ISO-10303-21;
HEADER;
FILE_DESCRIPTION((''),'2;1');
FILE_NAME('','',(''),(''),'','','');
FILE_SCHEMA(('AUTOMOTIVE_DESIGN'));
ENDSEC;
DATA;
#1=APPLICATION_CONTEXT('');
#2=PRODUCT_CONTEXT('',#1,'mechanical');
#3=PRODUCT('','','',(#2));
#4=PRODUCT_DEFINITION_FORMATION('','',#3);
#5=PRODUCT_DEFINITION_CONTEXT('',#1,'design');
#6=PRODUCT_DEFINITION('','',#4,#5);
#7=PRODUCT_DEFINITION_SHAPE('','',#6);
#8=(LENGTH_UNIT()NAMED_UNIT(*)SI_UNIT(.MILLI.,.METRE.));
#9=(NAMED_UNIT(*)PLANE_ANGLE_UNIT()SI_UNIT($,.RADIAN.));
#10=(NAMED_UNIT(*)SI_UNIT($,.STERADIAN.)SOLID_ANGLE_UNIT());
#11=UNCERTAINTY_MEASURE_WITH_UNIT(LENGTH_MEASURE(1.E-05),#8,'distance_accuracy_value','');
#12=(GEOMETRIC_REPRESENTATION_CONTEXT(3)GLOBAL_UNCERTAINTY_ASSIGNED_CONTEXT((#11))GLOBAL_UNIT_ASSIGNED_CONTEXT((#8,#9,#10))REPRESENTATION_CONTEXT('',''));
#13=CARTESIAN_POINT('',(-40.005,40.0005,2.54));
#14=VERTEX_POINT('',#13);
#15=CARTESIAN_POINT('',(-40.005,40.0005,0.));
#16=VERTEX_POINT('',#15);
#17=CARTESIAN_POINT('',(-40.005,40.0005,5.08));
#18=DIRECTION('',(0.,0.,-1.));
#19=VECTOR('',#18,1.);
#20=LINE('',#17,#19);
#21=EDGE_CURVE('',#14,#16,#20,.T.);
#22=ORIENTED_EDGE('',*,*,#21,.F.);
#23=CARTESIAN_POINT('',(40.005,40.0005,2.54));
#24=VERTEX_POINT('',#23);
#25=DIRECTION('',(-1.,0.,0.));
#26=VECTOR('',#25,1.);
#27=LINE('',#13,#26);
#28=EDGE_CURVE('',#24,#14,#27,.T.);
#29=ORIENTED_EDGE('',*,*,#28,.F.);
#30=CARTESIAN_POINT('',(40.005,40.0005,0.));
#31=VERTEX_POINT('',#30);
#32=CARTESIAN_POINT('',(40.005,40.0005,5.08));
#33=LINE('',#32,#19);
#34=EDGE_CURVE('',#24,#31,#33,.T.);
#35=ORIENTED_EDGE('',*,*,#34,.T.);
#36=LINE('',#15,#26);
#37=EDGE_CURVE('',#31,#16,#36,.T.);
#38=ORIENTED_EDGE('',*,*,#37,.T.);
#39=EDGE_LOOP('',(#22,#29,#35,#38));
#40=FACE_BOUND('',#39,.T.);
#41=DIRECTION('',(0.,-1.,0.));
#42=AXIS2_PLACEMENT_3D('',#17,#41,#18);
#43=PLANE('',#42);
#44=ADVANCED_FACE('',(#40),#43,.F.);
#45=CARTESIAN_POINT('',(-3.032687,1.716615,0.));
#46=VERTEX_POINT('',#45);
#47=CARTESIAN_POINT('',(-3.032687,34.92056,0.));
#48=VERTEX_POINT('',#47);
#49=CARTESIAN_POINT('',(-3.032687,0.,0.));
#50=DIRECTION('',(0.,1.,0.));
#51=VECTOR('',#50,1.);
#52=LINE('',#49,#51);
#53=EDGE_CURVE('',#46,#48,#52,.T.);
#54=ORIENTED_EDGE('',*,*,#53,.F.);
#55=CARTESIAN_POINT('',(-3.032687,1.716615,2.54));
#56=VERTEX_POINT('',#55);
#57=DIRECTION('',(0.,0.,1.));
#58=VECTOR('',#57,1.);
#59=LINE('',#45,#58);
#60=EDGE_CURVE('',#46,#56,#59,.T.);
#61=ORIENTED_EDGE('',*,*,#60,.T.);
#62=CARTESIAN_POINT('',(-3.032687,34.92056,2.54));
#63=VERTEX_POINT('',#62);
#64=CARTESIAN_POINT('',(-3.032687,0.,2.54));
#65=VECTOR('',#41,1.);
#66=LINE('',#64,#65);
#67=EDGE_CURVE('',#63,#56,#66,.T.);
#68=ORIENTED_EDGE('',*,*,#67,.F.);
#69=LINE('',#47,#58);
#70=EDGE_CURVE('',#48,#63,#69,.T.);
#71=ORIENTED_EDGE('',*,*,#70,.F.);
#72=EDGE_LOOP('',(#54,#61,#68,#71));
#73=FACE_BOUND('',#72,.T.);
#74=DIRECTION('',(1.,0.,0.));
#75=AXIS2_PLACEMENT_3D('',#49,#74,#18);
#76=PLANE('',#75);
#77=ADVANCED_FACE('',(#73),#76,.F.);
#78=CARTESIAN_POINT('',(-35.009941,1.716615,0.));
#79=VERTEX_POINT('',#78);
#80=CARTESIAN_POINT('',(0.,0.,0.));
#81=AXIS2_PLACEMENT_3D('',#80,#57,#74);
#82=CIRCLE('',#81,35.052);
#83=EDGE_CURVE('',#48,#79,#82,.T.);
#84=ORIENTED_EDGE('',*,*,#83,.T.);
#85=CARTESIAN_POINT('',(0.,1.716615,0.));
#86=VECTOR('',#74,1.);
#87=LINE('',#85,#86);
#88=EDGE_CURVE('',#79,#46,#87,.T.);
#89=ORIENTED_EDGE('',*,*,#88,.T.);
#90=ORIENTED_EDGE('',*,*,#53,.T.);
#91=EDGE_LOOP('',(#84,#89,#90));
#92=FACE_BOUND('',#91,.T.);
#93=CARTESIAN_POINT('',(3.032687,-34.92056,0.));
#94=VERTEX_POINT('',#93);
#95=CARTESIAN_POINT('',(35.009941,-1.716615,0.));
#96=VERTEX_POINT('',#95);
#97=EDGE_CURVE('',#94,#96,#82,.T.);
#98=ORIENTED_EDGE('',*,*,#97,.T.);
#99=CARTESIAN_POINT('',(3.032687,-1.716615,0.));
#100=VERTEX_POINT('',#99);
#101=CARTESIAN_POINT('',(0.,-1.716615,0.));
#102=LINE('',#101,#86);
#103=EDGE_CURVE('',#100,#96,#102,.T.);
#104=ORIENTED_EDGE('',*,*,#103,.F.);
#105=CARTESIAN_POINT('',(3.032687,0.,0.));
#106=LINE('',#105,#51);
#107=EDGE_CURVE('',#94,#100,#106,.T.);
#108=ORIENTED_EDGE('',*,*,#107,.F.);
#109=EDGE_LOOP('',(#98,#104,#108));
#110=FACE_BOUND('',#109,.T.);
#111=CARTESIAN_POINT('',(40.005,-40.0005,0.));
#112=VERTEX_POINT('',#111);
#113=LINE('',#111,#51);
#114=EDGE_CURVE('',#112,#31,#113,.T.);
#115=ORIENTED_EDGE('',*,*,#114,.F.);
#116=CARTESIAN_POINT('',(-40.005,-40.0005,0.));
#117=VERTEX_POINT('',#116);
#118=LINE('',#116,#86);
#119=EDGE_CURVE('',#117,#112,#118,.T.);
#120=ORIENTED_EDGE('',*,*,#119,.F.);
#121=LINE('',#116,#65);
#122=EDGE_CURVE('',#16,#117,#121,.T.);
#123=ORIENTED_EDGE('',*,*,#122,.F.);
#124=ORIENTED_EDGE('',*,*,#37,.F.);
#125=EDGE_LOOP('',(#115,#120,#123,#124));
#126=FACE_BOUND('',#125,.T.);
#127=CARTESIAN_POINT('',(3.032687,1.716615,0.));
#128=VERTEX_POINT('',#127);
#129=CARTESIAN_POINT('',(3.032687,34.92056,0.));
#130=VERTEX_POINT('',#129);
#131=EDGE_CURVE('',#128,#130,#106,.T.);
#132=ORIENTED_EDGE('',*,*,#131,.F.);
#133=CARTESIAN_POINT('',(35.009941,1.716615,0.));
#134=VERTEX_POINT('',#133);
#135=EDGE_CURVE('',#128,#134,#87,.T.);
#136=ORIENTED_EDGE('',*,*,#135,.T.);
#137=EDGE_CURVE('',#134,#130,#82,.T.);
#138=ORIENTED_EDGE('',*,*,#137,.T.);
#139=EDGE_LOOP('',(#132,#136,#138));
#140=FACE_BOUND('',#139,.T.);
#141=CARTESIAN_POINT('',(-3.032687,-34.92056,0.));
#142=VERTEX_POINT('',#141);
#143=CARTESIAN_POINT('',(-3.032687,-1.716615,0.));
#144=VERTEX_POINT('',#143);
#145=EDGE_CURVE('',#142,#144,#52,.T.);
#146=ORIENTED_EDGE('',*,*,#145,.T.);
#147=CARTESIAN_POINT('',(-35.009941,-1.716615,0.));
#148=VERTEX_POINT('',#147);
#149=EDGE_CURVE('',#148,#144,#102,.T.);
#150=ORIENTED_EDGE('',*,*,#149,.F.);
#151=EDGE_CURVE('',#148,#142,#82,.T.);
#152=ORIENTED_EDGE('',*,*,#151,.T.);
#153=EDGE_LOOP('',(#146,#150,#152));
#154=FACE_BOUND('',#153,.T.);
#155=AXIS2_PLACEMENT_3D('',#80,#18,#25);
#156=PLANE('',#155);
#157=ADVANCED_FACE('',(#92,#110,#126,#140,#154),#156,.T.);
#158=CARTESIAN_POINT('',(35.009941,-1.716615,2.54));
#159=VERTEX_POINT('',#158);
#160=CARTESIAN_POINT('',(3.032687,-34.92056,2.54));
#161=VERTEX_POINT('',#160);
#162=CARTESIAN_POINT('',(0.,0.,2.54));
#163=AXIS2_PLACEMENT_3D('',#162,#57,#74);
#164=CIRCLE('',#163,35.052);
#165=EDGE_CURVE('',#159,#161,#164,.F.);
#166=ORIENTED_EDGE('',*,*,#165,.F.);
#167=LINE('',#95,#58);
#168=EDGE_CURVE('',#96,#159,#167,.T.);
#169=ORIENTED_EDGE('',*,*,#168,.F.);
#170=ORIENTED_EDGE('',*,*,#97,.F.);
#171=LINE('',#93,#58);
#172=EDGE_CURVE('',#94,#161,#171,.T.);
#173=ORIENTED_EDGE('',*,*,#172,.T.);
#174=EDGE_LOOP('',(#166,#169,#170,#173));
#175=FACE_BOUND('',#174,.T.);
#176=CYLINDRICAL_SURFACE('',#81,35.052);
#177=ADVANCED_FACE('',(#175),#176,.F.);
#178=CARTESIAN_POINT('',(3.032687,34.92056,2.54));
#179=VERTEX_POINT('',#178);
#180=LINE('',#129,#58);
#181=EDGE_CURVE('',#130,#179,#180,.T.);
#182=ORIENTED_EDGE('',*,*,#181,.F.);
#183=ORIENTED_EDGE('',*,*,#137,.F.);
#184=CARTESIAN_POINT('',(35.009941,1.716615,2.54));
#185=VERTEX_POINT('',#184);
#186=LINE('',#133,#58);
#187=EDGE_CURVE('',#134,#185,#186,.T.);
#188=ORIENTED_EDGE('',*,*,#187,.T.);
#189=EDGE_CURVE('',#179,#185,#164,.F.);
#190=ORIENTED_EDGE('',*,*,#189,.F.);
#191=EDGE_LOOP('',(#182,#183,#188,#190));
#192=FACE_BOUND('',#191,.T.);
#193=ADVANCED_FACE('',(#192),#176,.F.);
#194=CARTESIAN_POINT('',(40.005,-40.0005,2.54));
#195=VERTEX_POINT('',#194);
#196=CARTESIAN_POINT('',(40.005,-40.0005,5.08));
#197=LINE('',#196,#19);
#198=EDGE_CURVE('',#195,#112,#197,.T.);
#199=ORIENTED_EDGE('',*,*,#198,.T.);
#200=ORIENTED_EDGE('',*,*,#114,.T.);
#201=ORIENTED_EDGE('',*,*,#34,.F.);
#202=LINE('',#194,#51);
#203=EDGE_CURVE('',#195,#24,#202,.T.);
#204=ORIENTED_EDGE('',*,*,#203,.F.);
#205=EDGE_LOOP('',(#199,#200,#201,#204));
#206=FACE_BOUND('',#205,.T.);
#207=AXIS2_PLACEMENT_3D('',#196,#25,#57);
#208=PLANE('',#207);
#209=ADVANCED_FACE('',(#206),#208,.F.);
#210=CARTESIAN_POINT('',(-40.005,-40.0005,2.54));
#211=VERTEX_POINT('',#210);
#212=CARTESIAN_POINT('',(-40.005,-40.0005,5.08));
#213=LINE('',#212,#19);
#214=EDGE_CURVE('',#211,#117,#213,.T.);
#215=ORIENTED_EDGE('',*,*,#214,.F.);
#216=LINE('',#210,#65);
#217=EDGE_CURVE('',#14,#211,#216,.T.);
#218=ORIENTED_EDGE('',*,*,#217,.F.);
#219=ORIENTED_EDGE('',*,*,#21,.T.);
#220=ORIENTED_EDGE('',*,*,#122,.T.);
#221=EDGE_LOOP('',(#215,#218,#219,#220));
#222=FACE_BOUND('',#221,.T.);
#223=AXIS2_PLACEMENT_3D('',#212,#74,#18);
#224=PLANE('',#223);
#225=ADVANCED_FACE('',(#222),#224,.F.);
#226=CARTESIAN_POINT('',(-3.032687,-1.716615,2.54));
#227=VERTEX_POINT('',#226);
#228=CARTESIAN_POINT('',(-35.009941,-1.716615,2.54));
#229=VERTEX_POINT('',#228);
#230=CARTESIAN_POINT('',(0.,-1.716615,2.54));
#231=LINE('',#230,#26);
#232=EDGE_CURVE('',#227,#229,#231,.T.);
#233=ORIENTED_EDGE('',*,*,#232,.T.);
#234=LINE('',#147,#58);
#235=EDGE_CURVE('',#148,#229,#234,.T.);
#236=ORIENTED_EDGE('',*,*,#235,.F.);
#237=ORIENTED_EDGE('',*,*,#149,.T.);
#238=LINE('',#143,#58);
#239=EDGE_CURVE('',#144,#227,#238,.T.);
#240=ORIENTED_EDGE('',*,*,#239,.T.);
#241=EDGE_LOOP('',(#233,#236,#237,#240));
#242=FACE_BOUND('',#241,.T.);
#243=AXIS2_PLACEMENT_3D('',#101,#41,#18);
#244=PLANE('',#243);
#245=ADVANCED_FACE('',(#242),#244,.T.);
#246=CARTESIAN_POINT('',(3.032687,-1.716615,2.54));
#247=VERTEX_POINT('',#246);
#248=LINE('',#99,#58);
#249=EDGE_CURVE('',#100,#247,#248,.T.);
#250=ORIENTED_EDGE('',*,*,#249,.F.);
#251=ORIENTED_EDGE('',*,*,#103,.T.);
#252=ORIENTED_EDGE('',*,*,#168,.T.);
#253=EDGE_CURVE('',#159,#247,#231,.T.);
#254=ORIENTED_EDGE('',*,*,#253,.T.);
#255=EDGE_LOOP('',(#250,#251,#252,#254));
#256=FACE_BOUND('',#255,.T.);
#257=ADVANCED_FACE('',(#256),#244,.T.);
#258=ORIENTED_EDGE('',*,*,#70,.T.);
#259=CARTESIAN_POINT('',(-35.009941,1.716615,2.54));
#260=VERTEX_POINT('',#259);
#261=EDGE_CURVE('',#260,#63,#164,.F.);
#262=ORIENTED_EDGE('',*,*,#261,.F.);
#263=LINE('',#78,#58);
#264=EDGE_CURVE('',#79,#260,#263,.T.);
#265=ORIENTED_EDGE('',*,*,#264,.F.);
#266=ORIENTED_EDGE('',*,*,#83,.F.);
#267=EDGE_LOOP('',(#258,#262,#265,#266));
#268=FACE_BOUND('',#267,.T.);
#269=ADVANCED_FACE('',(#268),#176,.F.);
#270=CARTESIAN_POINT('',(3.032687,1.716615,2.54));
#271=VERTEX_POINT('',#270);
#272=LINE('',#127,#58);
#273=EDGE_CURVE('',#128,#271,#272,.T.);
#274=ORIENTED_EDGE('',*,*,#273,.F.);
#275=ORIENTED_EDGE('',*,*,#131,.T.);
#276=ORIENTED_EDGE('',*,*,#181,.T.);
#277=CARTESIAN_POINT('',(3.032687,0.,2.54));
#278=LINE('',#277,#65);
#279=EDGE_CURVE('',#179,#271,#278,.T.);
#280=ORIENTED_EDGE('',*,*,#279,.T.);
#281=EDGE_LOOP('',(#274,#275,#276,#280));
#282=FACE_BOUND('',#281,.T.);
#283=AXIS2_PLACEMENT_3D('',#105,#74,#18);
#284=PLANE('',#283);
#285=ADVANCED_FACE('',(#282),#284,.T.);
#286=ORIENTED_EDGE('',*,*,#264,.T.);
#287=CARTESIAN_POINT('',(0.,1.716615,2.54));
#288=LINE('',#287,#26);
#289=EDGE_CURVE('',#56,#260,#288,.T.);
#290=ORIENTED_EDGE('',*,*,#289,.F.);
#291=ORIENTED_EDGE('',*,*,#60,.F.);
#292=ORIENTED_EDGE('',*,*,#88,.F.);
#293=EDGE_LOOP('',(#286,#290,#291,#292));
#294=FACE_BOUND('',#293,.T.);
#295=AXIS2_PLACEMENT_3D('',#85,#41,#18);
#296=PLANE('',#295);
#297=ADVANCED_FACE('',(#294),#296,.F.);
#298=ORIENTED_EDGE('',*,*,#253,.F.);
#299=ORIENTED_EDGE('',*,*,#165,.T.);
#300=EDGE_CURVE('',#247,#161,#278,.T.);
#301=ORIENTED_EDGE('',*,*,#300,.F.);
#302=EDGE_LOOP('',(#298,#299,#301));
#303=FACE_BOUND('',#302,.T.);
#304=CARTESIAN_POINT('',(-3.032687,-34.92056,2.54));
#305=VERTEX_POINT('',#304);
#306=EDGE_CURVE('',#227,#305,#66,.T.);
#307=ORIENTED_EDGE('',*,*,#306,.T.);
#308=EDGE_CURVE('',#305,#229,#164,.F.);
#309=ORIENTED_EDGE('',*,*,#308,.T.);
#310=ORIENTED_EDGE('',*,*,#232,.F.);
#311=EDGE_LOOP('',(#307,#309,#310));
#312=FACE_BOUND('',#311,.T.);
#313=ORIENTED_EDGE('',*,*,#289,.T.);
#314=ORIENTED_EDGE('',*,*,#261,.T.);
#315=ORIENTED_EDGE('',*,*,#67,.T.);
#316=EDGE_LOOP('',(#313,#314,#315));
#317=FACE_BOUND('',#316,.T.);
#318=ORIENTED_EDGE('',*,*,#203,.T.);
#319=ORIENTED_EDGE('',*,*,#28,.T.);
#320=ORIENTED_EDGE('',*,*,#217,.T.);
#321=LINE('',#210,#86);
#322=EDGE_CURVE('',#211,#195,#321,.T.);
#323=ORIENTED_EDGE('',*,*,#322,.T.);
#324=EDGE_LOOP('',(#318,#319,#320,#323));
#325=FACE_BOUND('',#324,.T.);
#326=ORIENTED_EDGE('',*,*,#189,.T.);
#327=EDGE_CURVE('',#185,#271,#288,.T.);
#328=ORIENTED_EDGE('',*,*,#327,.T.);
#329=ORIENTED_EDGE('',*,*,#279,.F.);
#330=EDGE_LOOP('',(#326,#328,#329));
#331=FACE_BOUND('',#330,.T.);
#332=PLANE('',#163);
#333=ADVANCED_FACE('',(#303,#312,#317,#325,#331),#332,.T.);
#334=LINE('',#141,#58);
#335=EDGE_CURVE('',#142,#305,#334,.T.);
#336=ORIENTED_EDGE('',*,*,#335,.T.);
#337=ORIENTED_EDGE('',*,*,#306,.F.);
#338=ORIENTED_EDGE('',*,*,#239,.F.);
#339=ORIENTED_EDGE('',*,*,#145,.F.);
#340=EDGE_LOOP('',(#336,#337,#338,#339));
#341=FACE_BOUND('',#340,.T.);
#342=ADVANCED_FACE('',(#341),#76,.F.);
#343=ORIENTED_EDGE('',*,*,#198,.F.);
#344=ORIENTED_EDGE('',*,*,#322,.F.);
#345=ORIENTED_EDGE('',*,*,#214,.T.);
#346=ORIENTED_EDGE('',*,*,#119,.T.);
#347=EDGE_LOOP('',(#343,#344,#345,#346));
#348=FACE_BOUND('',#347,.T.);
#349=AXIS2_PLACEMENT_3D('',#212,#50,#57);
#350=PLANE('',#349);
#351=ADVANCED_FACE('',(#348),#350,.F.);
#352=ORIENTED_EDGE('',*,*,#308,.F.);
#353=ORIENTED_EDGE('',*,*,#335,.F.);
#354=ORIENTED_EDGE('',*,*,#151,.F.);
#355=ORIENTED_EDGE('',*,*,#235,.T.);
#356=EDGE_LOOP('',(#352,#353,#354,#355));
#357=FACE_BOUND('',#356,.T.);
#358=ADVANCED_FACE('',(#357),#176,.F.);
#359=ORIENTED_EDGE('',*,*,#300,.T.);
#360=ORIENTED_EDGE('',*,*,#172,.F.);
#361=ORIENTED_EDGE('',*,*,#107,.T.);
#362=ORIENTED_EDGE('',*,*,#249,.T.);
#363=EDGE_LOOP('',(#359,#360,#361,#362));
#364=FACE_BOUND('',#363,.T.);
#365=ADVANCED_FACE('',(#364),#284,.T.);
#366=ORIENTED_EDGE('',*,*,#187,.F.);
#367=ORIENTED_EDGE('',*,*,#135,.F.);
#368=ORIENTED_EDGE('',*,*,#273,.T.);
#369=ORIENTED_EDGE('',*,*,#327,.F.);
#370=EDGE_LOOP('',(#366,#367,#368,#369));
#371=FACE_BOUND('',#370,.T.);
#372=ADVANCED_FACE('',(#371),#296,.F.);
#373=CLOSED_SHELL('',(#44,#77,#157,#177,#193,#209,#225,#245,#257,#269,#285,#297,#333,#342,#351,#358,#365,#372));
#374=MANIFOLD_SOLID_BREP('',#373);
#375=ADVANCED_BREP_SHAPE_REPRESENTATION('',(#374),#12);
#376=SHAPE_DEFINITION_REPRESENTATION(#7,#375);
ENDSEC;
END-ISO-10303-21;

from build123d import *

# Parameters (mm, degrees)
SKETCH1_W           = 80.01
SKETCH1_H           = 80.001
BOSS_EXTRUDE1_DEPTH = 5.08
SKETCH2_R           = 35.052
CUT_EXTRUDE1_DEPTH  = 5.08
SKETCH3_W           = 3.032686736
SKETCH3_H           = 3.433230268
BOSS_EXTRUDE3_DEPTH = 5.08
SKETCH5_W           = 135.597082566
SKETCH5_H           = 106.556051774
CUT_EXTRUDE2_DEPTH  = 2.54


with BuildPart() as part:
    # Sketch1 → Boss-Extrude1 (new body)
    with BuildSketch(Plane.XY):
        Rectangle(SKETCH1_W, SKETCH1_H)
    extrude(amount=BOSS_EXTRUDE1_DEPTH)

    # Sketch2 → Cut-Extrude1 (cut)
    with BuildSketch(Plane.XY.offset(5.08)):
        Circle(SKETCH2_R)
    extrude(amount=-CUT_EXTRUDE1_DEPTH, mode=Mode.SUBTRACT)

    # Sketch3 → Boss-Extrude3 (add)
    with BuildSketch(Plane.XY.offset(5.08)):
        with BuildLine():
            ThreePointArc((3.032686736, 34.920560064), (1.517766887, 35.019124599), (0, 35.052))
            Line((0, 35.052), (0, 1.716615134))
            Line((0, 1.716615134), (3.032686736, 1.716615134))
            Line((3.032686736, 1.716615134), (3.032686736, 34.920560064))
        make_face()
        with BuildLine():
            Line((0, 1.716615134), (0, 35.052))
            ThreePointArc((0, 35.052), (-1.517766887, 35.019124599), (-3.032686736, 34.920560064))
            Line((-3.032686736, 34.920560064), (-3.032686736, 1.716615134))
            Line((-3.032686736, 1.716615134), (0, 1.716615134))
        make_face()
        with BuildLine():
            Line((-3.032686736, -1.716615134), (-3.032686736, 1.716615134))
            Line((-3.032686736, 1.716615134), (-35.009940538, 1.716615134))
            ThreePointArc((-35.009940538, 1.716615134), (-35.052, 0), (-35.009940538, -1.716615134))
            Line((-35.009940538, -1.716615134), (-3.032686736, -1.716615134))
        make_face()
        with Locations((1.516343368, 0)):
            Rectangle(SKETCH3_W, SKETCH3_H)
        with Locations((-1.516343368, 0)):
            Rectangle(SKETCH3_W, SKETCH3_H)
        with BuildLine():
            Line((3.032686736, -1.716615134), (0, -1.716615134))
            Line((0, -1.716615134), (0, -35.052))
            ThreePointArc((0, -35.052), (1.517766887, -35.019124599), (3.032686736, -34.920560064))
            Line((3.032686736, -34.920560064), (3.032686736, -1.716615134))
        make_face()
        with BuildLine():
            Line((0, -35.052), (0, -1.716615134))
            Line((0, -1.716615134), (-3.032686736, -1.716615134))
            Line((-3.032686736, -1.716615134), (-3.032686736, -34.920560064))
            ThreePointArc((-3.032686736, -34.920560064), (-1.517766887, -35.019124599), (0, -35.052))
        make_face()
        with BuildLine():
            Line((35.009940538, 1.716615134), (3.032686736, 1.716615134))
            Line((3.032686736, 1.716615134), (3.032686736, -1.716615134))
            Line((3.032686736, -1.716615134), (35.009940538, -1.716615134))
            ThreePointArc((35.009940538, -1.716615134), (35.041483557, -0.858565157), (35.052, 0))
            ThreePointArc((35.052, 0), (35.041483557, 0.858565157), (35.009940538, 1.716615134))
        make_face()
    extrude(amount=-BOSS_EXTRUDE3_DEPTH)

    # Sketch5 → Cut-Extrude2 (cut)
    with BuildSketch(Plane.XY.offset(5.08)):
        with Locations((8.610263187, -0.677600572)):
            Rectangle(SKETCH5_W, SKETCH5_H)
    extrude(amount=-CUT_EXTRUDE2_DEPTH, mode=Mode.SUBTRACT)


solid = part.part
